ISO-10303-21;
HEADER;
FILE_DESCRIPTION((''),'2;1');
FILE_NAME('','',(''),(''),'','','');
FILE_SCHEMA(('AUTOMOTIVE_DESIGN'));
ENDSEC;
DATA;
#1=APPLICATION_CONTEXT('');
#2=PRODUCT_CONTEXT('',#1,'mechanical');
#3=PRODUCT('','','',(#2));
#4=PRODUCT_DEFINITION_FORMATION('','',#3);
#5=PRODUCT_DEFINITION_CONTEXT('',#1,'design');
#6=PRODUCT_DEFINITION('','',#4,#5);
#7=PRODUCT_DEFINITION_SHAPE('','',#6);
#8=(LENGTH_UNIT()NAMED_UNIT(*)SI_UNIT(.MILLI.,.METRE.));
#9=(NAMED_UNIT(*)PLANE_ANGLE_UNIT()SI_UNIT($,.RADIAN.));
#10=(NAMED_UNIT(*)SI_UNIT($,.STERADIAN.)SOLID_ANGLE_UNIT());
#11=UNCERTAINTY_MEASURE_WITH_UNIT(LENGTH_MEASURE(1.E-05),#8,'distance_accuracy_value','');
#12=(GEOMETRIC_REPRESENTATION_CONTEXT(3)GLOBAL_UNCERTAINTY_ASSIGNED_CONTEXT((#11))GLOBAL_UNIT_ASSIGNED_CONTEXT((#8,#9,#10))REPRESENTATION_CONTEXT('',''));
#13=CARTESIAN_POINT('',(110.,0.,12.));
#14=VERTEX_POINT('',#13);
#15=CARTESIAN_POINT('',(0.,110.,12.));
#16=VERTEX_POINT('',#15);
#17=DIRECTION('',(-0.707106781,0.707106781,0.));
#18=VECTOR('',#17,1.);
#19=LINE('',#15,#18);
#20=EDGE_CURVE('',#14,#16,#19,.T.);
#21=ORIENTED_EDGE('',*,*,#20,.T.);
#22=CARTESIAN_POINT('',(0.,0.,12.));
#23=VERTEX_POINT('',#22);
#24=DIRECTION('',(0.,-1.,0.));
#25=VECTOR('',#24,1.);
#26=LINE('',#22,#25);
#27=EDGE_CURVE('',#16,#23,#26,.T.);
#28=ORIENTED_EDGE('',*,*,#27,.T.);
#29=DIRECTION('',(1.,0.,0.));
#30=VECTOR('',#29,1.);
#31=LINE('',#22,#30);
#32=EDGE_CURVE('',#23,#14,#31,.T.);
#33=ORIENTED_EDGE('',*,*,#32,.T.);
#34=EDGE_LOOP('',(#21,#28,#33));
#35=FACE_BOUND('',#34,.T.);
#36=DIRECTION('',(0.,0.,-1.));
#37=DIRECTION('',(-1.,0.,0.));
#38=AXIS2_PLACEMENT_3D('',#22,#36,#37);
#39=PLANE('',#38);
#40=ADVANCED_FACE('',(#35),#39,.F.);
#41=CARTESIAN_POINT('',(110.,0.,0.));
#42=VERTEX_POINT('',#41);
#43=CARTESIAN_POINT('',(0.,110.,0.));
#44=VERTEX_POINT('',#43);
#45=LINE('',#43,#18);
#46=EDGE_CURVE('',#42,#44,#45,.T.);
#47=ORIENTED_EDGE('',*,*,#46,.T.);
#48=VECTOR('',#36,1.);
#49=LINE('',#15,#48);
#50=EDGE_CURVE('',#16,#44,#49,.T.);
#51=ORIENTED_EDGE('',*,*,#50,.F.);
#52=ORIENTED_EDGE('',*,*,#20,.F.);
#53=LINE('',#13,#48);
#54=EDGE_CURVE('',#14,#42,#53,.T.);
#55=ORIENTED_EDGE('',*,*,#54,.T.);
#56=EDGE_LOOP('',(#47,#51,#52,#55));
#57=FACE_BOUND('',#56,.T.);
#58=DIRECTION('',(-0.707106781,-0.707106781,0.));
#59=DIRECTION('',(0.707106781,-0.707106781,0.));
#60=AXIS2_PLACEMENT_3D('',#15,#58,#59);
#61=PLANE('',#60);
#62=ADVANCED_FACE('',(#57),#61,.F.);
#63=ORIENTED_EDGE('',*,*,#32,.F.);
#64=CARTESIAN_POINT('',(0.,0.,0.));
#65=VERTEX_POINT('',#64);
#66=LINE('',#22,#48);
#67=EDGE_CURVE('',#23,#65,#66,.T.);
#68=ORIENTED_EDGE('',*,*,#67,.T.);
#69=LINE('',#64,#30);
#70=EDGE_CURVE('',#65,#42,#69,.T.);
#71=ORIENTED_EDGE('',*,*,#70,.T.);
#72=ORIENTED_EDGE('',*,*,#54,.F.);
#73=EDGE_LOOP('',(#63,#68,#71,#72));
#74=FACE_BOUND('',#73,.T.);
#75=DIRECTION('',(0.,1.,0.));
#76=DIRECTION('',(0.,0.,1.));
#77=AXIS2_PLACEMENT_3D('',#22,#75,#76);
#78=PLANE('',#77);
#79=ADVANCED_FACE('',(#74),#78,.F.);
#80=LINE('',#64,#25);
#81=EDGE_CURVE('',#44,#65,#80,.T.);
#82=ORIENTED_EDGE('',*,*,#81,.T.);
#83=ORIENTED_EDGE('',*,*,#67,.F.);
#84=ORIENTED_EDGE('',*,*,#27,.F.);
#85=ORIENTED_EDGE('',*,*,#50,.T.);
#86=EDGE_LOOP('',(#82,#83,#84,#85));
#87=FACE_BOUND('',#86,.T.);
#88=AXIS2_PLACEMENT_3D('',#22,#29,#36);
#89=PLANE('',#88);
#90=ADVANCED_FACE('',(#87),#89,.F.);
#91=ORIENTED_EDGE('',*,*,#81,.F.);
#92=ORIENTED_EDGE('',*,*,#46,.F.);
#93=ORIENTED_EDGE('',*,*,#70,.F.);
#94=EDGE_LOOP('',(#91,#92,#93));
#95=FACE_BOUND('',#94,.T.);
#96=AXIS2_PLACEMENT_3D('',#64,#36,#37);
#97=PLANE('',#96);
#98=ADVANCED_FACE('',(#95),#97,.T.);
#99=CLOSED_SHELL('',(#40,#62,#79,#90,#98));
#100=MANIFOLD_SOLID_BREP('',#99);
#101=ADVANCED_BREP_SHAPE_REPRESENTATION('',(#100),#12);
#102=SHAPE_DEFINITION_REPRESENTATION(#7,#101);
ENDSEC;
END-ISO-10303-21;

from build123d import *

# Parameters (mm, degrees)
EXTRUDE1_DEPTH = 12


with BuildPart() as part:
    # Sketch1 → Extrude1 (new body)
    with BuildSketch(Plane.XY):
        Polygon((0, 110), (110, 0), (0, 0), align=None)
    extrude(amount=EXTRUDE1_DEPTH)


solid = part.part
